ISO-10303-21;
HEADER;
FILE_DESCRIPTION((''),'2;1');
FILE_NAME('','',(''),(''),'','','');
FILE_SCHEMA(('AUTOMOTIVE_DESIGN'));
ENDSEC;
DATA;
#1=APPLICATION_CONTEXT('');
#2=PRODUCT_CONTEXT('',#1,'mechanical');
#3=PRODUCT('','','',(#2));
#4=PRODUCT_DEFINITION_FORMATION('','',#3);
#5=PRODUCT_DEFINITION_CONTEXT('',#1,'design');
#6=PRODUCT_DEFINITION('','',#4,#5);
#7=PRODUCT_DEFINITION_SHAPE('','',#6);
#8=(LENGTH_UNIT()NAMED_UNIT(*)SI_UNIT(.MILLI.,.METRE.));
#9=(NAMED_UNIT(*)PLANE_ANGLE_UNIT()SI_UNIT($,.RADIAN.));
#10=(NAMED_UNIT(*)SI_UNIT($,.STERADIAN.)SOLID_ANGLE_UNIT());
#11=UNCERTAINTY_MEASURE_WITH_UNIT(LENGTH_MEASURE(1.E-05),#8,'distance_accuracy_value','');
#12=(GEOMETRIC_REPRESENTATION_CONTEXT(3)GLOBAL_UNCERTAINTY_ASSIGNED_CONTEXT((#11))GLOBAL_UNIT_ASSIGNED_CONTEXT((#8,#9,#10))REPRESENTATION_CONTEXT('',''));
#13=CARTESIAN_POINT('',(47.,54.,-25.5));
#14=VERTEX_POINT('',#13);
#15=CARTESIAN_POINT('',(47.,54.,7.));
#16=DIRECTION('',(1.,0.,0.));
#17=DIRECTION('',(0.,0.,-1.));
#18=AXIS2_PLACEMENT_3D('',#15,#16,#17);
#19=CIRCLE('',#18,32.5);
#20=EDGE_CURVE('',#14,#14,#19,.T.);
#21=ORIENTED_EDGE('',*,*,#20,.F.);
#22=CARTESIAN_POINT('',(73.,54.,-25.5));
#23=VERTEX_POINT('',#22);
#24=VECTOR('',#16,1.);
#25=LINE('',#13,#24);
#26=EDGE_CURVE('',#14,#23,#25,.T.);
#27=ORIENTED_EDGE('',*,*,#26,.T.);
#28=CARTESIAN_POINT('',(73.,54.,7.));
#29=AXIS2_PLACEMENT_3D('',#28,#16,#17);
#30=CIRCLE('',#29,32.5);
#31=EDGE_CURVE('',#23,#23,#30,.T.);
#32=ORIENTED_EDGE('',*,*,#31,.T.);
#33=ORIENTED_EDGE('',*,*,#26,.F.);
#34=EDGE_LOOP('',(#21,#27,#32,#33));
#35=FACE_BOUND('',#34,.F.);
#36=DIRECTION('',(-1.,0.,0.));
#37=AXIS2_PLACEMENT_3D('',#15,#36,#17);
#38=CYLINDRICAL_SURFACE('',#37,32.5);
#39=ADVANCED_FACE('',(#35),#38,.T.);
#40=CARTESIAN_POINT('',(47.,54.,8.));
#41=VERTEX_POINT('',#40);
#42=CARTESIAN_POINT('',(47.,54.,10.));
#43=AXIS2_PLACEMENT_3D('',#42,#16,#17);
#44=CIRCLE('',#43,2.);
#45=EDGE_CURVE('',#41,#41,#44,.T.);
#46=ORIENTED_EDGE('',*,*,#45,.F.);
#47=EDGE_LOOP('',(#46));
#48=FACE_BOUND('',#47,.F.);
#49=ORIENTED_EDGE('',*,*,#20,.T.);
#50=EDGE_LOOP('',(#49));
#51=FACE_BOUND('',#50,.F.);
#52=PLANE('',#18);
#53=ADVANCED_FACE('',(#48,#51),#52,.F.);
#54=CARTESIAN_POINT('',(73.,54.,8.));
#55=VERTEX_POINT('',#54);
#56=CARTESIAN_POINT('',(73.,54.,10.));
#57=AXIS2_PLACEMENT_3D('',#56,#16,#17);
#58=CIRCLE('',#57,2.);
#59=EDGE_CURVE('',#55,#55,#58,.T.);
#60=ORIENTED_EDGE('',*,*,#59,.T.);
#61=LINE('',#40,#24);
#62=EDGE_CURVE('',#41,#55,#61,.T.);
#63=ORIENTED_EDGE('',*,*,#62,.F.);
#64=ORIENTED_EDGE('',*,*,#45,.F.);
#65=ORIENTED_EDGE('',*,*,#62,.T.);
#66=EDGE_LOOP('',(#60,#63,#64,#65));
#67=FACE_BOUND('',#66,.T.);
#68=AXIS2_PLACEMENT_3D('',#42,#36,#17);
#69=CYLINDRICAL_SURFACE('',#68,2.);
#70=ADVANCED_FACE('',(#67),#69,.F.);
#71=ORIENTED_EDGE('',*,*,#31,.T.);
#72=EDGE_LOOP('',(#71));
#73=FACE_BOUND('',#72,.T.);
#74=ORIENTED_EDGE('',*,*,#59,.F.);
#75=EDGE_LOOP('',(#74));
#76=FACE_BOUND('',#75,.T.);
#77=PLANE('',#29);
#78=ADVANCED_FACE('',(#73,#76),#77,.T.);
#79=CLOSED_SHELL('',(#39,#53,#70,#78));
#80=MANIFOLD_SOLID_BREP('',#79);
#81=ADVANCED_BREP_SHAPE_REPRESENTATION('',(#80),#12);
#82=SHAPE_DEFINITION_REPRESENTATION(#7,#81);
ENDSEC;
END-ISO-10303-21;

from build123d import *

# Parameters (mm, degrees)
CYLINDER268_R          = 2
CYLINDER268_DEPTH      = 26
CYLINDER267_R          = 32.5
CYLINDER267_DEPTH      = 26
CUT248_PLACEMENT_ANGLE = 90


with BuildPart() as cylinder268:
    # Cylinder268 → Cylinder268 (new body)
    with BuildSketch(Plane.XY):
        Circle(CYLINDER268_R)
    extrude(amount=CYLINDER268_DEPTH)


with BuildPart() as cut248:
    # Cylinder267 → Cylinder267 (new body)
    with BuildSketch(Plane(origin=(3, 0, 0), x_dir=(1, 0, 0), z_dir=(0, 0, 1))):
        Circle(CYLINDER267_R)
    extrude(amount=CYLINDER267_DEPTH)

    # Cut248: cut Cylinder268
    add(cylinder268.part, mode=Mode.SUBTRACT)


with BuildPart() as cut248_1:
    # Cut248 placement: moved
    add(cut248.part.moved(Location((47, 54, 10))).rotate(Axis((47, 54, 10), (0, 1, 0)), CUT248_PLACEMENT_ANGLE))


solid = cut248_1.part
